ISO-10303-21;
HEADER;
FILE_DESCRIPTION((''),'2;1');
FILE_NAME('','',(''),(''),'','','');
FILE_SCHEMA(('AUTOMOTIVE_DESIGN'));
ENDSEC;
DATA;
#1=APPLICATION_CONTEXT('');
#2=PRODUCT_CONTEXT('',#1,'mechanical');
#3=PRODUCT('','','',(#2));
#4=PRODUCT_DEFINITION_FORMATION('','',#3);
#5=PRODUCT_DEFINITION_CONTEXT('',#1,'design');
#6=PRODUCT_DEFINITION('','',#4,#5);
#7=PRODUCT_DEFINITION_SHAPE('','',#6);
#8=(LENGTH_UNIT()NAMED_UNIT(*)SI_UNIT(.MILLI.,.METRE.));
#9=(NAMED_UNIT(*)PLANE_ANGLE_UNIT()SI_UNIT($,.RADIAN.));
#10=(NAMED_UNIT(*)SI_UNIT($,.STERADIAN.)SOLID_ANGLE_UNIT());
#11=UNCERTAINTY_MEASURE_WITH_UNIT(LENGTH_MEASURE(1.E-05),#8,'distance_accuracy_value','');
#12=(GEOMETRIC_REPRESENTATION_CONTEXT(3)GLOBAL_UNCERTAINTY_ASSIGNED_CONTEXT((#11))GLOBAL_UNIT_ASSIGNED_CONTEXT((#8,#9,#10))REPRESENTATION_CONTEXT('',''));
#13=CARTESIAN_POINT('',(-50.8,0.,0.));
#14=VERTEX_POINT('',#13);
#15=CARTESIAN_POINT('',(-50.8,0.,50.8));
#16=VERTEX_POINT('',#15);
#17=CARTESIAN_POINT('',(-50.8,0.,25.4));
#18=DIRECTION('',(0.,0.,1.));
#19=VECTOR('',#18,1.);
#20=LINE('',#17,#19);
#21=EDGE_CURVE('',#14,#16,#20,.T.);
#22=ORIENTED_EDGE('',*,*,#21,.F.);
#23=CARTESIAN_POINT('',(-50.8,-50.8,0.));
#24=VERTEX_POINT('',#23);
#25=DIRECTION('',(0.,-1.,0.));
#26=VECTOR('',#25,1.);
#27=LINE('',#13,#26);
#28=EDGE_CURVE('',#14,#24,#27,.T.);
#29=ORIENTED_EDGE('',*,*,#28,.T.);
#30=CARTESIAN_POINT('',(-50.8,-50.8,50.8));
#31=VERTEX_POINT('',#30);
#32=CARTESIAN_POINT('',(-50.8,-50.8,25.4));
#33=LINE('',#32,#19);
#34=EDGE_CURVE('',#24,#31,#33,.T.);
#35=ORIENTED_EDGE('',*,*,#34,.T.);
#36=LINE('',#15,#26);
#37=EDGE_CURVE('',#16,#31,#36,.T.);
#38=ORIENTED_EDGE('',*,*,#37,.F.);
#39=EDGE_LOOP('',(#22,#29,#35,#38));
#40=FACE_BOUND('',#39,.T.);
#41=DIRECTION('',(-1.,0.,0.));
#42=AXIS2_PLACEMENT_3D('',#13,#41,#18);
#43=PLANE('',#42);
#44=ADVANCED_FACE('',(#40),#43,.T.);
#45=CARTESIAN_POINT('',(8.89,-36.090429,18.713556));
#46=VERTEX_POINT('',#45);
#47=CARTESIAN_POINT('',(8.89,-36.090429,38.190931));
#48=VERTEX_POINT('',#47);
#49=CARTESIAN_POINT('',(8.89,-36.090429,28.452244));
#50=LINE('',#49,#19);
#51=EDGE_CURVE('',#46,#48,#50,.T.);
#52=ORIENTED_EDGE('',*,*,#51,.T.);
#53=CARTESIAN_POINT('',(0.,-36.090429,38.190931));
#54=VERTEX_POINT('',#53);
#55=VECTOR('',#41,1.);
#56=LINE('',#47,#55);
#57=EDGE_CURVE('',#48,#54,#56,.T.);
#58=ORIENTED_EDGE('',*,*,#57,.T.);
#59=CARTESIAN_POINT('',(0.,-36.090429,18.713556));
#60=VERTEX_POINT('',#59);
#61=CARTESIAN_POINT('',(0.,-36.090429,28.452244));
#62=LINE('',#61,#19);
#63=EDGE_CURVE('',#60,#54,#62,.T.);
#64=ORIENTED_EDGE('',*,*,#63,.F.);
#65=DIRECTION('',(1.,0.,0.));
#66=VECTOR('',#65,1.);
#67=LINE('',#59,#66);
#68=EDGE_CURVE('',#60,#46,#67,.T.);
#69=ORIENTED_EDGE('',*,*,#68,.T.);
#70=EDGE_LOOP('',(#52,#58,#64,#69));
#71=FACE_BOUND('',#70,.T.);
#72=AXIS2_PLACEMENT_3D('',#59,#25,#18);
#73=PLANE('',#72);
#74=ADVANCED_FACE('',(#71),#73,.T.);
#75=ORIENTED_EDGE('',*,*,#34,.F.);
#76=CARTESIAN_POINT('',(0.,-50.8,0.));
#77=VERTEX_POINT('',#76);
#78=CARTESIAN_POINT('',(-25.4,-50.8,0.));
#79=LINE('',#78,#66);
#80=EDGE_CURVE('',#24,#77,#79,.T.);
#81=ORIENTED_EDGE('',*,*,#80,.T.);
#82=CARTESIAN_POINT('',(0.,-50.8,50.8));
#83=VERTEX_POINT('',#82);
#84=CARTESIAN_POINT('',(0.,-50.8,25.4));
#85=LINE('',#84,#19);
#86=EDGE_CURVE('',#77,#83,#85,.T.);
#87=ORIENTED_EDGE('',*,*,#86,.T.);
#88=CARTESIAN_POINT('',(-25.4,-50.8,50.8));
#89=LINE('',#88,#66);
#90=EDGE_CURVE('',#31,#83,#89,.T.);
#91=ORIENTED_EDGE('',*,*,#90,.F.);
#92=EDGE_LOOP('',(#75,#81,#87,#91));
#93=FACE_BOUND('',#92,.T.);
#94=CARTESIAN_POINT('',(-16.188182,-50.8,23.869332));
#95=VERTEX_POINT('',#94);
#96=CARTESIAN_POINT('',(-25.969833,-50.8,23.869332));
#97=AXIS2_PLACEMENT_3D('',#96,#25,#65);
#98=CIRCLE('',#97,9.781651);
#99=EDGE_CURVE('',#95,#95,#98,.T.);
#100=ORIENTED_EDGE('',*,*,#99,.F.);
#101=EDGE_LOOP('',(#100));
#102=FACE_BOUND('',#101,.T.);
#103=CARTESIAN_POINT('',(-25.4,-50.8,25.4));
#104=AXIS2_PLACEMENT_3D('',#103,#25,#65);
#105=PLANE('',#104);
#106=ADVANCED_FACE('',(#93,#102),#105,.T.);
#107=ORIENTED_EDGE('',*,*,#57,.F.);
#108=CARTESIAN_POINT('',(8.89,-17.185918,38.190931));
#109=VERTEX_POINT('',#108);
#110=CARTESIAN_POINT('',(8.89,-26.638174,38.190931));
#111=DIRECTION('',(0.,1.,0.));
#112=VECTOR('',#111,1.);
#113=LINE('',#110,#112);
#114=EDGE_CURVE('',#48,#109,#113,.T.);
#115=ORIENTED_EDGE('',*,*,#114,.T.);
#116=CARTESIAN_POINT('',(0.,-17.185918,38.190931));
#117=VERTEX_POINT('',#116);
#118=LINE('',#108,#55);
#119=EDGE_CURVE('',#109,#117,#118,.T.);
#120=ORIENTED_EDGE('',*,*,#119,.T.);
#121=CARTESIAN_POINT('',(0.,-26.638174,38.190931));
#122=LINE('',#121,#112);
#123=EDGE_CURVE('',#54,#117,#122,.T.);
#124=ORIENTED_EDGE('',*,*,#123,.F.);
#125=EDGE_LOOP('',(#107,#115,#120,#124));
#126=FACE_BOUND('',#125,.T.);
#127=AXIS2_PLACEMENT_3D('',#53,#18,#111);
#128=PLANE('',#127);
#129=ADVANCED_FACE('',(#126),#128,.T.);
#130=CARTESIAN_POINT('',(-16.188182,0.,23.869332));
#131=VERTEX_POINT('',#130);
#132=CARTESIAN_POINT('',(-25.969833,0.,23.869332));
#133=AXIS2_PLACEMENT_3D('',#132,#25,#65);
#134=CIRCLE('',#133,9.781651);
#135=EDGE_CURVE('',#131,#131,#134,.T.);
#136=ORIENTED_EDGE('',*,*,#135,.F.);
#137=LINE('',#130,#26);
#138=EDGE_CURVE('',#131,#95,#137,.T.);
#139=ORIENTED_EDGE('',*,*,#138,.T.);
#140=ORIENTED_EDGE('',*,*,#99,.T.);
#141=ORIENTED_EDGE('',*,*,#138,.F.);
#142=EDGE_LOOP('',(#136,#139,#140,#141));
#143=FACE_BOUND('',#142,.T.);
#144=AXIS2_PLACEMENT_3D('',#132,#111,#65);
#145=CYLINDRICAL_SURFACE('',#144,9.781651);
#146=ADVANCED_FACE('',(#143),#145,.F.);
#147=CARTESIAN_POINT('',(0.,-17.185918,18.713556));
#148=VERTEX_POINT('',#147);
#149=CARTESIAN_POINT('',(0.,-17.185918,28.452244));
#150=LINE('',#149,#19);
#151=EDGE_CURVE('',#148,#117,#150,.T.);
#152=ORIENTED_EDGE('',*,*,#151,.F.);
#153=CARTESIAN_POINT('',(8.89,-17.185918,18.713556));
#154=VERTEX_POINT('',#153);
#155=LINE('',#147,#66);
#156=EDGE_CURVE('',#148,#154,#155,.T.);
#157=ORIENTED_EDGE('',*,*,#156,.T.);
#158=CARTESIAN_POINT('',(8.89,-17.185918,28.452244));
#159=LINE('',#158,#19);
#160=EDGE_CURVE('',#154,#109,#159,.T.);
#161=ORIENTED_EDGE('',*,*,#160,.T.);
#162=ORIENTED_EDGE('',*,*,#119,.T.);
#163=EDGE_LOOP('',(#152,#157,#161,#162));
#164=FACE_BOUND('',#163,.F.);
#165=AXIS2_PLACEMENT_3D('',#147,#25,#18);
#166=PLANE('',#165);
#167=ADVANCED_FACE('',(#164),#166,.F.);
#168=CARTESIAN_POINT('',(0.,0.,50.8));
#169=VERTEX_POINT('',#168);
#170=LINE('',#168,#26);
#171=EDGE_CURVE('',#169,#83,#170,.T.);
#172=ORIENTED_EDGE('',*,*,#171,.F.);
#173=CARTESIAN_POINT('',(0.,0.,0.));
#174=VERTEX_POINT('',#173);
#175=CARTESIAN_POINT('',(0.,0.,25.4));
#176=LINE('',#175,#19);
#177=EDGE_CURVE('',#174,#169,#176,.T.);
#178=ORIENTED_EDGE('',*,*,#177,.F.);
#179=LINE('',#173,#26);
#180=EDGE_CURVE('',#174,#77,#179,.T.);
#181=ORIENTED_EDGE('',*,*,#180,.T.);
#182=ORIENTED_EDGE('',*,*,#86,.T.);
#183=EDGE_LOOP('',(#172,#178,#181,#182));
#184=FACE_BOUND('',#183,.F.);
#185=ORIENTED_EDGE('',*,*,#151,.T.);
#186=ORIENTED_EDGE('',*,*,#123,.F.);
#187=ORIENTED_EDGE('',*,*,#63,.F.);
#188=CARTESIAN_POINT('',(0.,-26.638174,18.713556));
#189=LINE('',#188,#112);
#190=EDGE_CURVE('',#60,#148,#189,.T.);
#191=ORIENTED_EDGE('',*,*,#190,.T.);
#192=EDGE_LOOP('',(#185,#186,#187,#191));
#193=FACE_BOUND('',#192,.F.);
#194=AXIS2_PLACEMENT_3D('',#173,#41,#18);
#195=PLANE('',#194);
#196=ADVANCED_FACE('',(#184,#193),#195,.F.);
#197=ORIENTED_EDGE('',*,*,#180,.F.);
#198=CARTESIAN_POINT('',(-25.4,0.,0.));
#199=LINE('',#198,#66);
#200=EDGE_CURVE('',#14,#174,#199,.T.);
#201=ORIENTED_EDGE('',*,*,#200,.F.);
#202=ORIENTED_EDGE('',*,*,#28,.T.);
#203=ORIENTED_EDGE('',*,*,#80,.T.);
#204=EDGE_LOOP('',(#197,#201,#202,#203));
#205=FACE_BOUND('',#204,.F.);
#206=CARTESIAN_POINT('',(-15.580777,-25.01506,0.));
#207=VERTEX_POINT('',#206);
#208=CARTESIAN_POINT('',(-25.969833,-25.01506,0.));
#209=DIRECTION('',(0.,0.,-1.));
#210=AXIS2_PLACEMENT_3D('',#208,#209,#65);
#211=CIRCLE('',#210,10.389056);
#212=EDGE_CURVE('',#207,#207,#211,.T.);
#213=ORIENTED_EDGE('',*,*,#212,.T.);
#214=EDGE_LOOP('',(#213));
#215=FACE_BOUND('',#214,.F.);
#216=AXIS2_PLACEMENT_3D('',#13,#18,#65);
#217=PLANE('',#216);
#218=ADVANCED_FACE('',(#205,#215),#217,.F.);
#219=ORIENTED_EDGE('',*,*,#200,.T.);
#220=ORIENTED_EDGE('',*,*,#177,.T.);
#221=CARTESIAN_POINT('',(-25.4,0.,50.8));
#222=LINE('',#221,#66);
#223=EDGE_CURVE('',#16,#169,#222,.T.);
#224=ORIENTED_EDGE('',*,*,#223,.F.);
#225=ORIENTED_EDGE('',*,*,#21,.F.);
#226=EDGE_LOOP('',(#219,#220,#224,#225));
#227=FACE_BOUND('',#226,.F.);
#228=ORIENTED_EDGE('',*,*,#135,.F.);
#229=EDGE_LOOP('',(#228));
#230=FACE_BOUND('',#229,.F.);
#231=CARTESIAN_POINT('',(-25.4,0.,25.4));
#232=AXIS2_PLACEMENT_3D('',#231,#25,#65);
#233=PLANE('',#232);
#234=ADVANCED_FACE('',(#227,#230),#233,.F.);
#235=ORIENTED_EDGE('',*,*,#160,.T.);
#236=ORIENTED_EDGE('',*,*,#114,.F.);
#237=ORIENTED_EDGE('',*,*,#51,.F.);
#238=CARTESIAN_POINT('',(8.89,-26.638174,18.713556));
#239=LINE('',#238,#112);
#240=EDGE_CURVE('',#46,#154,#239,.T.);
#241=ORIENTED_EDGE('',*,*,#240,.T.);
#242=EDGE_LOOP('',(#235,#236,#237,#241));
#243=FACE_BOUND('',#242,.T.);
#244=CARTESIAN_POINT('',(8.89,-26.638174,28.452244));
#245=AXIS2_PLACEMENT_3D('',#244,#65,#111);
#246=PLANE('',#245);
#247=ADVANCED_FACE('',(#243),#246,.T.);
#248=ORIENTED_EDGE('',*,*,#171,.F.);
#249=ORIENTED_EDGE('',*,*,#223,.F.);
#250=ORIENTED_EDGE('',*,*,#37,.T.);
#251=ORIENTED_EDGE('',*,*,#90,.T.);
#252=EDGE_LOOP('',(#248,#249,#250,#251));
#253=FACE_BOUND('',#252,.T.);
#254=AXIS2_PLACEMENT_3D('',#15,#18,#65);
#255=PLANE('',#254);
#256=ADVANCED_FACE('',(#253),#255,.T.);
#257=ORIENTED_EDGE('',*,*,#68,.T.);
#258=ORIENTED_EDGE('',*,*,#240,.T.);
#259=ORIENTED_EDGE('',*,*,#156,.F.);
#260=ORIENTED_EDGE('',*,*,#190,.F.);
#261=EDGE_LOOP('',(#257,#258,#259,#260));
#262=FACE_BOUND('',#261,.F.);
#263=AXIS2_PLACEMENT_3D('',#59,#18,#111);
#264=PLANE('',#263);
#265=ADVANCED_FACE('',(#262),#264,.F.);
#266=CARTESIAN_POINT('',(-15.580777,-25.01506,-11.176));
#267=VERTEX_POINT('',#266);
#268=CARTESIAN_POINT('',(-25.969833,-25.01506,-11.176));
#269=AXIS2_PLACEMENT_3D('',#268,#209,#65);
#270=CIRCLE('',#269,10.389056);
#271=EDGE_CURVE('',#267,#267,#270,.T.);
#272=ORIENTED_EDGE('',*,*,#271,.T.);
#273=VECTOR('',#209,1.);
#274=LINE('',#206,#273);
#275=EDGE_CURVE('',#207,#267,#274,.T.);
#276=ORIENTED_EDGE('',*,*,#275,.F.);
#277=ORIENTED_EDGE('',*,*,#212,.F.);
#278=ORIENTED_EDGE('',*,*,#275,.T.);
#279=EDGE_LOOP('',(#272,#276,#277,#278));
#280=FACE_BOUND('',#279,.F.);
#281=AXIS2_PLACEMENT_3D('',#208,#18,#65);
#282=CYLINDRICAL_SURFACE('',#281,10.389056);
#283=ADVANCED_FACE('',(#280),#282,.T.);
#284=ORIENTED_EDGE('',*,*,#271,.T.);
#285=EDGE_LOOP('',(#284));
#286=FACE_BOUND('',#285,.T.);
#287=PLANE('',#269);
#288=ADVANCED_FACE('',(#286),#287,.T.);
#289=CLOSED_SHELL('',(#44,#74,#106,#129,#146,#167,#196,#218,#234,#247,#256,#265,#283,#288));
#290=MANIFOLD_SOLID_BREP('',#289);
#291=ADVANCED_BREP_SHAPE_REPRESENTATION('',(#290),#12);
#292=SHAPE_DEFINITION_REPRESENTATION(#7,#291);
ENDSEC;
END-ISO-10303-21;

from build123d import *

# Parameters (mm, degrees)
F0_W     = 50.8
F0_H     = 50.8
F0_R     = 9.781651
F1_DEPTH = 50.8
F2_W     = 18.904511
F2_H     = 19.477375
F3_DEPTH = 8.636
F4_DEPTH = 8.89
F5_R     = 10.389056
F6_DEPTH = 11.176


with BuildPart() as f1:
    # F0 (on Front) → F1 (new body)
    with BuildSketch(Plane.XZ):
        with Locations((-25.4, 25.4)):
            Rectangle(F0_W, F0_H)
        with Locations((-25.969833, 23.869332)):
            Circle(F0_R, mode=Mode.SUBTRACT)
    extrude(amount=F1_DEPTH)

    # F2 (on face) → F3 (join)
    with BuildSketch(Plane.YZ):
        with Locations((-26.638174, 28.452244)):
            Rectangle(F2_W, F2_H)
    extrude(amount=F3_DEPTH)

    # F2 (on face) → F4 (join)
    with BuildSketch(Plane.YZ):
        with Locations((-26.638174, 28.452244)):
            Rectangle(F2_W, F2_H)
    extrude(amount=F4_DEPTH)

    # F5 (on face) → F6 (join)
    with BuildSketch(Plane(origin=(0, 0, 0), x_dir=(1, 0, 0), z_dir=(0, 0, -1))):
        with Locations((-25.969833, 25.01506)):
            Circle(F5_R)
    extrude(amount=F6_DEPTH)


solid = f1.part
